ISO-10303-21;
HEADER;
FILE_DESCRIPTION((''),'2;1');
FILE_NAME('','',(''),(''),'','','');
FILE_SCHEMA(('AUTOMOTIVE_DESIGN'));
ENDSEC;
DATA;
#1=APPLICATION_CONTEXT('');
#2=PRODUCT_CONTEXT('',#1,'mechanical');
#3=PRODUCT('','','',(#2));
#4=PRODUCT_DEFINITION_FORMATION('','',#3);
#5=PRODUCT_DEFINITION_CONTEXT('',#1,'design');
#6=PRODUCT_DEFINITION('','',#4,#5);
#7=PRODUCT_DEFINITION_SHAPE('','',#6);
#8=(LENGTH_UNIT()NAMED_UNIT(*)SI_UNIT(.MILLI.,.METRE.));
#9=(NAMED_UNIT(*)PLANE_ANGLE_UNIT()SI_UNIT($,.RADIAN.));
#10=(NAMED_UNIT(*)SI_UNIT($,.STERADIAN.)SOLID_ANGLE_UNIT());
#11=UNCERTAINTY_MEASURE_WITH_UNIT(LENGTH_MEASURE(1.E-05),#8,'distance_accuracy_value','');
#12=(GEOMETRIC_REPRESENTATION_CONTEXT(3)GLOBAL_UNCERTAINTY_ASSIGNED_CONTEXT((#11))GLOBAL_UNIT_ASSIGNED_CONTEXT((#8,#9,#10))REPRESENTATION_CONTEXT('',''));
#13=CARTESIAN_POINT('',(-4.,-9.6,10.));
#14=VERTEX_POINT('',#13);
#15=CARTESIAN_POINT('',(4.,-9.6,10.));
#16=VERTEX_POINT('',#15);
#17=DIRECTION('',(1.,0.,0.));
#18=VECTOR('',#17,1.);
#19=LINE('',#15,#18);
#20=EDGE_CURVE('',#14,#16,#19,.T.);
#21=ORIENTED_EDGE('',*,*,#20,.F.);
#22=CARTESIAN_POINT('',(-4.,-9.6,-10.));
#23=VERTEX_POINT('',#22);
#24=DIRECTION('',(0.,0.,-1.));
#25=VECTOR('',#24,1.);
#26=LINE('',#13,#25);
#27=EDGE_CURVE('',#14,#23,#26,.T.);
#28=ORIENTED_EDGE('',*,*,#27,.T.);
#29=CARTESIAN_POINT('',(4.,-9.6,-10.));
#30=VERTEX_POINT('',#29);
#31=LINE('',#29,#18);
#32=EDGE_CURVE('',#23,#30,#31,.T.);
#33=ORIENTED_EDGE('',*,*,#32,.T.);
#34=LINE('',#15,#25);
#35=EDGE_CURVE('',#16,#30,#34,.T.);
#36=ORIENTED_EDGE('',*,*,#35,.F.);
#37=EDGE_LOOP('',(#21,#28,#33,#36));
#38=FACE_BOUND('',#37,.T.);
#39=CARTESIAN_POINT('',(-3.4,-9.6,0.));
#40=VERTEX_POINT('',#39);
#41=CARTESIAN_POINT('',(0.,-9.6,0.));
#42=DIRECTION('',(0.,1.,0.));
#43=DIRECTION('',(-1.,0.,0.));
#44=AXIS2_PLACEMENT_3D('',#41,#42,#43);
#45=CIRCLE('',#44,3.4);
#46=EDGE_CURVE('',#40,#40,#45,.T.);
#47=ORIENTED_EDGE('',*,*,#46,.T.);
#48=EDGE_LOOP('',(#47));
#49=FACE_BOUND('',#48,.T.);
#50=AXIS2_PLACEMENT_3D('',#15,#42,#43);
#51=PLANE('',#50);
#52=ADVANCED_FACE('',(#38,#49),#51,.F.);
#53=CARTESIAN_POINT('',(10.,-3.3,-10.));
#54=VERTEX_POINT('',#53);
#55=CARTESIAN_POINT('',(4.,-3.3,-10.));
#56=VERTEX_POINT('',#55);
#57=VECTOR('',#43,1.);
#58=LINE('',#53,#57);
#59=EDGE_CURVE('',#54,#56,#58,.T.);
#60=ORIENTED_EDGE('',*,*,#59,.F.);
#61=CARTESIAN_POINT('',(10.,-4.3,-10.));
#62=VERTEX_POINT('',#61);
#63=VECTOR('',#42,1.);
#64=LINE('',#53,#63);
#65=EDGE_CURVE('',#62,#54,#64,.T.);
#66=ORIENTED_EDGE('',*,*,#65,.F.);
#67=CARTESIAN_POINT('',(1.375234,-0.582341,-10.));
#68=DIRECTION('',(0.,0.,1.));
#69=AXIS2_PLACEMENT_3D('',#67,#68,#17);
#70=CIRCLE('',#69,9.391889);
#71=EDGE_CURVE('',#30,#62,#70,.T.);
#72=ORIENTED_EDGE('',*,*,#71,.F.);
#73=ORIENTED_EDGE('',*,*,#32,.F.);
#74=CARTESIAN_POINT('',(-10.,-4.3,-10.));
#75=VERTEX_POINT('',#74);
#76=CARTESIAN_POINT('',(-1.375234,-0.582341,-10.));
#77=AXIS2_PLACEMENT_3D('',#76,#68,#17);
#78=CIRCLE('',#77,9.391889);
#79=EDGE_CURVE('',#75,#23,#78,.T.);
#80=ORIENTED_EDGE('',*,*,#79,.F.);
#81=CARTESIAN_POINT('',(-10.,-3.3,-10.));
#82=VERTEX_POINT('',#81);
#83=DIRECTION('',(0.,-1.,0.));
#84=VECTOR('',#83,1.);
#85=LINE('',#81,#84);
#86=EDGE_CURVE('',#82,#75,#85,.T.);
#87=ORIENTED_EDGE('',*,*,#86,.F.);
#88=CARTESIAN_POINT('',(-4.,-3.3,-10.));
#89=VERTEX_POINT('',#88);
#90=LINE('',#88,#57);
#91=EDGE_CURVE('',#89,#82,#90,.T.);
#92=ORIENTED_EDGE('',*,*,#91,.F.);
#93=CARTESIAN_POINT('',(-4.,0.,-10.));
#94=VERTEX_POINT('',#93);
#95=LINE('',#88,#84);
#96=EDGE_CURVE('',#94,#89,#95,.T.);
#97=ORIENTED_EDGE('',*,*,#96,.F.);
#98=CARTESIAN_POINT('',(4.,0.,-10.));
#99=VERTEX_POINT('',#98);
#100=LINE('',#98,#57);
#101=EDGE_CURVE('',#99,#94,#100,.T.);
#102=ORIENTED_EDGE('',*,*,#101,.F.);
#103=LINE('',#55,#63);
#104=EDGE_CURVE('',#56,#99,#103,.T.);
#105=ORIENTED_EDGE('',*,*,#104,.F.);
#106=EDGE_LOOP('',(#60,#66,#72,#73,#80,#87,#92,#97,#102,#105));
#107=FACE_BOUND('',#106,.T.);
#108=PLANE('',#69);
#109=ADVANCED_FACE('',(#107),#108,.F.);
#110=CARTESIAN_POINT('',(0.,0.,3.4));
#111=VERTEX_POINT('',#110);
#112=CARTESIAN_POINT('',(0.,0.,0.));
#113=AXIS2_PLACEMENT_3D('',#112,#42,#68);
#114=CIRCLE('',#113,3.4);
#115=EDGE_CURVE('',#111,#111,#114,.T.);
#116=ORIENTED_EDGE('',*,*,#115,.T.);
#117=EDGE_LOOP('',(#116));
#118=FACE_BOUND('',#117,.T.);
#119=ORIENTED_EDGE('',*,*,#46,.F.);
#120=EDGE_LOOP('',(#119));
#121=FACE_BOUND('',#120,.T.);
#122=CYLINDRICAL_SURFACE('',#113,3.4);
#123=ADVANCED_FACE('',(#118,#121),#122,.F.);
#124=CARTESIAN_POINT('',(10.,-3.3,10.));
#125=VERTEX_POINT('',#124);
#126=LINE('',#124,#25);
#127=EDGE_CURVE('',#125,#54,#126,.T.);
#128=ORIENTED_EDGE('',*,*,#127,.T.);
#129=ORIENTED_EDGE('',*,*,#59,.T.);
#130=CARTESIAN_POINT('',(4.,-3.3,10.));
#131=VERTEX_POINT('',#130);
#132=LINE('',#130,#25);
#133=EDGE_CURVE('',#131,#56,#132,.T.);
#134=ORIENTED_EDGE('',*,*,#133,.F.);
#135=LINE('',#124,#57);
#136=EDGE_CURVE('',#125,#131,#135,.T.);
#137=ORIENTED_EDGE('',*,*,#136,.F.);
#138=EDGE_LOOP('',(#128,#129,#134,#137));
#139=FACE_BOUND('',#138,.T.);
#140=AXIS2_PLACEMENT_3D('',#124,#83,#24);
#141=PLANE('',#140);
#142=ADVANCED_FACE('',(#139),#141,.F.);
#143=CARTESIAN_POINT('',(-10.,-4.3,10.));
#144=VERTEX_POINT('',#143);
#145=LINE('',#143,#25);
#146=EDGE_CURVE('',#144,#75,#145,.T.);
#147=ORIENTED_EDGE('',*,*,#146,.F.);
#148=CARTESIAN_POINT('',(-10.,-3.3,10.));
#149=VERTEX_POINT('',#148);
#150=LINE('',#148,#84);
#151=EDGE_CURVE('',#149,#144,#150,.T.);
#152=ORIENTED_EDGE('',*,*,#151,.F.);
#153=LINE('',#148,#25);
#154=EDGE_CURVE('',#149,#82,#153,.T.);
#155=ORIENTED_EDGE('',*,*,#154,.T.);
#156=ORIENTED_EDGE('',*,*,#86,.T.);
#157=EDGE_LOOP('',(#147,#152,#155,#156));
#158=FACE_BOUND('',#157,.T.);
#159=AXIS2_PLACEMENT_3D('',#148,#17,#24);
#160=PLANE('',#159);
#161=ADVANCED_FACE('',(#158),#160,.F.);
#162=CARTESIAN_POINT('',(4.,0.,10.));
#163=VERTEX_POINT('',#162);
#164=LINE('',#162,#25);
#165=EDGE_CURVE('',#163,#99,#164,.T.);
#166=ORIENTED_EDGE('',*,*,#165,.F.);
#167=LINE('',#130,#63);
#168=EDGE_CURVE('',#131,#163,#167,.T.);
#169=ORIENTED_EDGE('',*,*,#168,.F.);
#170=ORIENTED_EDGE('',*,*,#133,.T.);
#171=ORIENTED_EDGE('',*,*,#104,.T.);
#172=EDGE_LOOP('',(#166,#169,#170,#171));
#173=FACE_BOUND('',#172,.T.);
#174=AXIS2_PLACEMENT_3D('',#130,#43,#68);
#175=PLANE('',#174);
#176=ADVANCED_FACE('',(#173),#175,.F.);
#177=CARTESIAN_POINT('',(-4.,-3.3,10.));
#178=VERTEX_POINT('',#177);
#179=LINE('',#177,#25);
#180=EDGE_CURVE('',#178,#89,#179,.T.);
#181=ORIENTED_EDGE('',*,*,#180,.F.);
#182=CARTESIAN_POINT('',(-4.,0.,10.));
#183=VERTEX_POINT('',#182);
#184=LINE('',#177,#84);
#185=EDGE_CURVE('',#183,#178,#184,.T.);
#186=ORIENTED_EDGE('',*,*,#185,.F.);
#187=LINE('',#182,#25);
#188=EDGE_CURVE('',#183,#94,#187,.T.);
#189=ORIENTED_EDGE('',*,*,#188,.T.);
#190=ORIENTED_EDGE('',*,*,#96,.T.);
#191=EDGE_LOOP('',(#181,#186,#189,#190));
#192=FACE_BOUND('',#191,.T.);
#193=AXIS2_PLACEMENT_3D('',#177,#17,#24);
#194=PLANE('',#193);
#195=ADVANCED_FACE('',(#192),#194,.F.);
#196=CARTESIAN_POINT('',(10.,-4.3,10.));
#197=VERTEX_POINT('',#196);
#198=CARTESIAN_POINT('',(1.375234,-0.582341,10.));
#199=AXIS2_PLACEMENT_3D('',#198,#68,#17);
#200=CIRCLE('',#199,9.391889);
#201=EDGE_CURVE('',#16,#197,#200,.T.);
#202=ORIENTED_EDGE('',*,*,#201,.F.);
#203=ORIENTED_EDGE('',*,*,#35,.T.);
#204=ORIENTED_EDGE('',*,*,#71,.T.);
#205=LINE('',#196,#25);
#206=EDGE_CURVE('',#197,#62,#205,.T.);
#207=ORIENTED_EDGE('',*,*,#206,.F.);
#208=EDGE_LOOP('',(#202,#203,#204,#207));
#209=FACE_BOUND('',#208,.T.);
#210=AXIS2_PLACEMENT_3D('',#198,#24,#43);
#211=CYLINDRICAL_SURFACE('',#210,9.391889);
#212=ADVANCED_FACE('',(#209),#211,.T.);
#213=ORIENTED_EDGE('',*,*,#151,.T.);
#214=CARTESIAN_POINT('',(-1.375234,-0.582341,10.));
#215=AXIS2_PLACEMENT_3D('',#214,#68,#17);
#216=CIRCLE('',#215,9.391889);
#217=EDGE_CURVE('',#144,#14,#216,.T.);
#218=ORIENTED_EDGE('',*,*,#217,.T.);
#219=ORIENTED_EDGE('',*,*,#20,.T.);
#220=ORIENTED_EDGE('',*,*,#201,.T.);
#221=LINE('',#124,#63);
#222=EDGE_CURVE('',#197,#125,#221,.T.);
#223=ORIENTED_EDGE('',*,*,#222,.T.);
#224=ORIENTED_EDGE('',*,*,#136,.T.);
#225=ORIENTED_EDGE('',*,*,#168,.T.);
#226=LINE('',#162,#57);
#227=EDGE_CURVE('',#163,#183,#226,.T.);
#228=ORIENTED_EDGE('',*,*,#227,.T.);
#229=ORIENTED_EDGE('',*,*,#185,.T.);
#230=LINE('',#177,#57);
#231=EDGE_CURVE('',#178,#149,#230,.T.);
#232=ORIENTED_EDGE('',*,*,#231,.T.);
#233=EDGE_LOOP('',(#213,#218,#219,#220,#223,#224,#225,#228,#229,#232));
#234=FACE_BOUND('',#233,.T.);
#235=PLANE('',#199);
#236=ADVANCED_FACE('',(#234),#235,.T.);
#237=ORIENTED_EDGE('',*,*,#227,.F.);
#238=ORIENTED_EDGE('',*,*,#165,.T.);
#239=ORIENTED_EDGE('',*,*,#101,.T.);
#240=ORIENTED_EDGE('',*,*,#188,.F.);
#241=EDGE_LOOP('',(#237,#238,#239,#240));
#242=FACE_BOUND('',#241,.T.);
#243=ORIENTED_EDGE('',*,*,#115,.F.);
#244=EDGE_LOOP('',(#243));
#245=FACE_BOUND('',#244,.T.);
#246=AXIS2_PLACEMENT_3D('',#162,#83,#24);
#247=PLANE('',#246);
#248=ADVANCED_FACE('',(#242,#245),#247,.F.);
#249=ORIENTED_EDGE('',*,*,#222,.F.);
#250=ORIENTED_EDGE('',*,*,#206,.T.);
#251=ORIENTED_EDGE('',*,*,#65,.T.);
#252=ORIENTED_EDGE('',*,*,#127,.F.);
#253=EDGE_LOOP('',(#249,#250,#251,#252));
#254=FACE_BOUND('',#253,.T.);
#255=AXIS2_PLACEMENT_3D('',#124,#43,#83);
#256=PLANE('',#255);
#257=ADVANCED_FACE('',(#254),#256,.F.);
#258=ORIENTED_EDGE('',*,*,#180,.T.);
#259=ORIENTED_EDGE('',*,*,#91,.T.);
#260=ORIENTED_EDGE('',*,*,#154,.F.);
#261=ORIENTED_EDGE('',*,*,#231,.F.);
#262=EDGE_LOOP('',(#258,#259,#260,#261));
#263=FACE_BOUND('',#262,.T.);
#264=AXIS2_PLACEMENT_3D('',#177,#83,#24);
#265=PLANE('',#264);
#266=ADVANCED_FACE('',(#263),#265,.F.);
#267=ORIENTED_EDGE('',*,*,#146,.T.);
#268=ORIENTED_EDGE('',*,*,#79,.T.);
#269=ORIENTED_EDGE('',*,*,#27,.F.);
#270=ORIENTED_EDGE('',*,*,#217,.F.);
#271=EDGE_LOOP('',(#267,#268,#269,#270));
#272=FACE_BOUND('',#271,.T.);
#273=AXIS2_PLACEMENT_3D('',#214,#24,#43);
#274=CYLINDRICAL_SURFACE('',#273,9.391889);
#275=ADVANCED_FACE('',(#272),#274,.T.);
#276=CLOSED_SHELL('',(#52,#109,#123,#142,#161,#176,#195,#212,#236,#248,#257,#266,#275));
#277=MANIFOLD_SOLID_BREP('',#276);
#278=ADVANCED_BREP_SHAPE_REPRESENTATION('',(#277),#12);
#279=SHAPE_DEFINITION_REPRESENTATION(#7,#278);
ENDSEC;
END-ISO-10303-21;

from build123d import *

# Parameters (mm, degrees)
EXTRUDE_1_DEPTH        = 10
HOLE_WIZARD_M8_1_D     = 6.8
HOLE_WIZARD_M8_1_DEPTH = 19.75
HOLE_WIZARD_M8_1_TIP   = 2.042926105


with BuildPart() as part:
    # 草图1 → 凸台-拉伸1 (new, symmetric)
    with BuildSketch(Plane.XY):
        with BuildLine():
            Line((4, -9.6), (-4, -9.6))
            ThreePointArc((-4, -9.6), (-7.592990245, -7.621309711), (-10, -4.3))
            Line((-10, -4.3), (-10, -3.3))
            Line((-10, -3.3), (-4, -3.3))
            Line((-4, -3.3), (-4, 0))
            Line((-4, 0), (4, 0))
            Line((4, 0), (4, -3.3))
            Line((4, -3.3), (10, -3.3))
            Line((10, -3.3), (10, -4.3))
            ThreePointArc((10, -4.3), (7.592990245, -7.621309711), (4, -9.6))
        make_face()
    extrude(amount=EXTRUDE_1_DEPTH, both=True)

    # M8 螺纹孔1
    with Locations(Plane.ZX):
        with Locations((0, 0)):
            Hole(HOLE_WIZARD_M8_1_D / 2, depth=HOLE_WIZARD_M8_1_DEPTH)
            with Locations((0, 0, -(HOLE_WIZARD_M8_1_DEPTH + HOLE_WIZARD_M8_1_TIP / 2))):  # 118° drill point
                Cone(0, HOLE_WIZARD_M8_1_D / 2, HOLE_WIZARD_M8_1_TIP, mode=Mode.SUBTRACT)


solid = part.part
